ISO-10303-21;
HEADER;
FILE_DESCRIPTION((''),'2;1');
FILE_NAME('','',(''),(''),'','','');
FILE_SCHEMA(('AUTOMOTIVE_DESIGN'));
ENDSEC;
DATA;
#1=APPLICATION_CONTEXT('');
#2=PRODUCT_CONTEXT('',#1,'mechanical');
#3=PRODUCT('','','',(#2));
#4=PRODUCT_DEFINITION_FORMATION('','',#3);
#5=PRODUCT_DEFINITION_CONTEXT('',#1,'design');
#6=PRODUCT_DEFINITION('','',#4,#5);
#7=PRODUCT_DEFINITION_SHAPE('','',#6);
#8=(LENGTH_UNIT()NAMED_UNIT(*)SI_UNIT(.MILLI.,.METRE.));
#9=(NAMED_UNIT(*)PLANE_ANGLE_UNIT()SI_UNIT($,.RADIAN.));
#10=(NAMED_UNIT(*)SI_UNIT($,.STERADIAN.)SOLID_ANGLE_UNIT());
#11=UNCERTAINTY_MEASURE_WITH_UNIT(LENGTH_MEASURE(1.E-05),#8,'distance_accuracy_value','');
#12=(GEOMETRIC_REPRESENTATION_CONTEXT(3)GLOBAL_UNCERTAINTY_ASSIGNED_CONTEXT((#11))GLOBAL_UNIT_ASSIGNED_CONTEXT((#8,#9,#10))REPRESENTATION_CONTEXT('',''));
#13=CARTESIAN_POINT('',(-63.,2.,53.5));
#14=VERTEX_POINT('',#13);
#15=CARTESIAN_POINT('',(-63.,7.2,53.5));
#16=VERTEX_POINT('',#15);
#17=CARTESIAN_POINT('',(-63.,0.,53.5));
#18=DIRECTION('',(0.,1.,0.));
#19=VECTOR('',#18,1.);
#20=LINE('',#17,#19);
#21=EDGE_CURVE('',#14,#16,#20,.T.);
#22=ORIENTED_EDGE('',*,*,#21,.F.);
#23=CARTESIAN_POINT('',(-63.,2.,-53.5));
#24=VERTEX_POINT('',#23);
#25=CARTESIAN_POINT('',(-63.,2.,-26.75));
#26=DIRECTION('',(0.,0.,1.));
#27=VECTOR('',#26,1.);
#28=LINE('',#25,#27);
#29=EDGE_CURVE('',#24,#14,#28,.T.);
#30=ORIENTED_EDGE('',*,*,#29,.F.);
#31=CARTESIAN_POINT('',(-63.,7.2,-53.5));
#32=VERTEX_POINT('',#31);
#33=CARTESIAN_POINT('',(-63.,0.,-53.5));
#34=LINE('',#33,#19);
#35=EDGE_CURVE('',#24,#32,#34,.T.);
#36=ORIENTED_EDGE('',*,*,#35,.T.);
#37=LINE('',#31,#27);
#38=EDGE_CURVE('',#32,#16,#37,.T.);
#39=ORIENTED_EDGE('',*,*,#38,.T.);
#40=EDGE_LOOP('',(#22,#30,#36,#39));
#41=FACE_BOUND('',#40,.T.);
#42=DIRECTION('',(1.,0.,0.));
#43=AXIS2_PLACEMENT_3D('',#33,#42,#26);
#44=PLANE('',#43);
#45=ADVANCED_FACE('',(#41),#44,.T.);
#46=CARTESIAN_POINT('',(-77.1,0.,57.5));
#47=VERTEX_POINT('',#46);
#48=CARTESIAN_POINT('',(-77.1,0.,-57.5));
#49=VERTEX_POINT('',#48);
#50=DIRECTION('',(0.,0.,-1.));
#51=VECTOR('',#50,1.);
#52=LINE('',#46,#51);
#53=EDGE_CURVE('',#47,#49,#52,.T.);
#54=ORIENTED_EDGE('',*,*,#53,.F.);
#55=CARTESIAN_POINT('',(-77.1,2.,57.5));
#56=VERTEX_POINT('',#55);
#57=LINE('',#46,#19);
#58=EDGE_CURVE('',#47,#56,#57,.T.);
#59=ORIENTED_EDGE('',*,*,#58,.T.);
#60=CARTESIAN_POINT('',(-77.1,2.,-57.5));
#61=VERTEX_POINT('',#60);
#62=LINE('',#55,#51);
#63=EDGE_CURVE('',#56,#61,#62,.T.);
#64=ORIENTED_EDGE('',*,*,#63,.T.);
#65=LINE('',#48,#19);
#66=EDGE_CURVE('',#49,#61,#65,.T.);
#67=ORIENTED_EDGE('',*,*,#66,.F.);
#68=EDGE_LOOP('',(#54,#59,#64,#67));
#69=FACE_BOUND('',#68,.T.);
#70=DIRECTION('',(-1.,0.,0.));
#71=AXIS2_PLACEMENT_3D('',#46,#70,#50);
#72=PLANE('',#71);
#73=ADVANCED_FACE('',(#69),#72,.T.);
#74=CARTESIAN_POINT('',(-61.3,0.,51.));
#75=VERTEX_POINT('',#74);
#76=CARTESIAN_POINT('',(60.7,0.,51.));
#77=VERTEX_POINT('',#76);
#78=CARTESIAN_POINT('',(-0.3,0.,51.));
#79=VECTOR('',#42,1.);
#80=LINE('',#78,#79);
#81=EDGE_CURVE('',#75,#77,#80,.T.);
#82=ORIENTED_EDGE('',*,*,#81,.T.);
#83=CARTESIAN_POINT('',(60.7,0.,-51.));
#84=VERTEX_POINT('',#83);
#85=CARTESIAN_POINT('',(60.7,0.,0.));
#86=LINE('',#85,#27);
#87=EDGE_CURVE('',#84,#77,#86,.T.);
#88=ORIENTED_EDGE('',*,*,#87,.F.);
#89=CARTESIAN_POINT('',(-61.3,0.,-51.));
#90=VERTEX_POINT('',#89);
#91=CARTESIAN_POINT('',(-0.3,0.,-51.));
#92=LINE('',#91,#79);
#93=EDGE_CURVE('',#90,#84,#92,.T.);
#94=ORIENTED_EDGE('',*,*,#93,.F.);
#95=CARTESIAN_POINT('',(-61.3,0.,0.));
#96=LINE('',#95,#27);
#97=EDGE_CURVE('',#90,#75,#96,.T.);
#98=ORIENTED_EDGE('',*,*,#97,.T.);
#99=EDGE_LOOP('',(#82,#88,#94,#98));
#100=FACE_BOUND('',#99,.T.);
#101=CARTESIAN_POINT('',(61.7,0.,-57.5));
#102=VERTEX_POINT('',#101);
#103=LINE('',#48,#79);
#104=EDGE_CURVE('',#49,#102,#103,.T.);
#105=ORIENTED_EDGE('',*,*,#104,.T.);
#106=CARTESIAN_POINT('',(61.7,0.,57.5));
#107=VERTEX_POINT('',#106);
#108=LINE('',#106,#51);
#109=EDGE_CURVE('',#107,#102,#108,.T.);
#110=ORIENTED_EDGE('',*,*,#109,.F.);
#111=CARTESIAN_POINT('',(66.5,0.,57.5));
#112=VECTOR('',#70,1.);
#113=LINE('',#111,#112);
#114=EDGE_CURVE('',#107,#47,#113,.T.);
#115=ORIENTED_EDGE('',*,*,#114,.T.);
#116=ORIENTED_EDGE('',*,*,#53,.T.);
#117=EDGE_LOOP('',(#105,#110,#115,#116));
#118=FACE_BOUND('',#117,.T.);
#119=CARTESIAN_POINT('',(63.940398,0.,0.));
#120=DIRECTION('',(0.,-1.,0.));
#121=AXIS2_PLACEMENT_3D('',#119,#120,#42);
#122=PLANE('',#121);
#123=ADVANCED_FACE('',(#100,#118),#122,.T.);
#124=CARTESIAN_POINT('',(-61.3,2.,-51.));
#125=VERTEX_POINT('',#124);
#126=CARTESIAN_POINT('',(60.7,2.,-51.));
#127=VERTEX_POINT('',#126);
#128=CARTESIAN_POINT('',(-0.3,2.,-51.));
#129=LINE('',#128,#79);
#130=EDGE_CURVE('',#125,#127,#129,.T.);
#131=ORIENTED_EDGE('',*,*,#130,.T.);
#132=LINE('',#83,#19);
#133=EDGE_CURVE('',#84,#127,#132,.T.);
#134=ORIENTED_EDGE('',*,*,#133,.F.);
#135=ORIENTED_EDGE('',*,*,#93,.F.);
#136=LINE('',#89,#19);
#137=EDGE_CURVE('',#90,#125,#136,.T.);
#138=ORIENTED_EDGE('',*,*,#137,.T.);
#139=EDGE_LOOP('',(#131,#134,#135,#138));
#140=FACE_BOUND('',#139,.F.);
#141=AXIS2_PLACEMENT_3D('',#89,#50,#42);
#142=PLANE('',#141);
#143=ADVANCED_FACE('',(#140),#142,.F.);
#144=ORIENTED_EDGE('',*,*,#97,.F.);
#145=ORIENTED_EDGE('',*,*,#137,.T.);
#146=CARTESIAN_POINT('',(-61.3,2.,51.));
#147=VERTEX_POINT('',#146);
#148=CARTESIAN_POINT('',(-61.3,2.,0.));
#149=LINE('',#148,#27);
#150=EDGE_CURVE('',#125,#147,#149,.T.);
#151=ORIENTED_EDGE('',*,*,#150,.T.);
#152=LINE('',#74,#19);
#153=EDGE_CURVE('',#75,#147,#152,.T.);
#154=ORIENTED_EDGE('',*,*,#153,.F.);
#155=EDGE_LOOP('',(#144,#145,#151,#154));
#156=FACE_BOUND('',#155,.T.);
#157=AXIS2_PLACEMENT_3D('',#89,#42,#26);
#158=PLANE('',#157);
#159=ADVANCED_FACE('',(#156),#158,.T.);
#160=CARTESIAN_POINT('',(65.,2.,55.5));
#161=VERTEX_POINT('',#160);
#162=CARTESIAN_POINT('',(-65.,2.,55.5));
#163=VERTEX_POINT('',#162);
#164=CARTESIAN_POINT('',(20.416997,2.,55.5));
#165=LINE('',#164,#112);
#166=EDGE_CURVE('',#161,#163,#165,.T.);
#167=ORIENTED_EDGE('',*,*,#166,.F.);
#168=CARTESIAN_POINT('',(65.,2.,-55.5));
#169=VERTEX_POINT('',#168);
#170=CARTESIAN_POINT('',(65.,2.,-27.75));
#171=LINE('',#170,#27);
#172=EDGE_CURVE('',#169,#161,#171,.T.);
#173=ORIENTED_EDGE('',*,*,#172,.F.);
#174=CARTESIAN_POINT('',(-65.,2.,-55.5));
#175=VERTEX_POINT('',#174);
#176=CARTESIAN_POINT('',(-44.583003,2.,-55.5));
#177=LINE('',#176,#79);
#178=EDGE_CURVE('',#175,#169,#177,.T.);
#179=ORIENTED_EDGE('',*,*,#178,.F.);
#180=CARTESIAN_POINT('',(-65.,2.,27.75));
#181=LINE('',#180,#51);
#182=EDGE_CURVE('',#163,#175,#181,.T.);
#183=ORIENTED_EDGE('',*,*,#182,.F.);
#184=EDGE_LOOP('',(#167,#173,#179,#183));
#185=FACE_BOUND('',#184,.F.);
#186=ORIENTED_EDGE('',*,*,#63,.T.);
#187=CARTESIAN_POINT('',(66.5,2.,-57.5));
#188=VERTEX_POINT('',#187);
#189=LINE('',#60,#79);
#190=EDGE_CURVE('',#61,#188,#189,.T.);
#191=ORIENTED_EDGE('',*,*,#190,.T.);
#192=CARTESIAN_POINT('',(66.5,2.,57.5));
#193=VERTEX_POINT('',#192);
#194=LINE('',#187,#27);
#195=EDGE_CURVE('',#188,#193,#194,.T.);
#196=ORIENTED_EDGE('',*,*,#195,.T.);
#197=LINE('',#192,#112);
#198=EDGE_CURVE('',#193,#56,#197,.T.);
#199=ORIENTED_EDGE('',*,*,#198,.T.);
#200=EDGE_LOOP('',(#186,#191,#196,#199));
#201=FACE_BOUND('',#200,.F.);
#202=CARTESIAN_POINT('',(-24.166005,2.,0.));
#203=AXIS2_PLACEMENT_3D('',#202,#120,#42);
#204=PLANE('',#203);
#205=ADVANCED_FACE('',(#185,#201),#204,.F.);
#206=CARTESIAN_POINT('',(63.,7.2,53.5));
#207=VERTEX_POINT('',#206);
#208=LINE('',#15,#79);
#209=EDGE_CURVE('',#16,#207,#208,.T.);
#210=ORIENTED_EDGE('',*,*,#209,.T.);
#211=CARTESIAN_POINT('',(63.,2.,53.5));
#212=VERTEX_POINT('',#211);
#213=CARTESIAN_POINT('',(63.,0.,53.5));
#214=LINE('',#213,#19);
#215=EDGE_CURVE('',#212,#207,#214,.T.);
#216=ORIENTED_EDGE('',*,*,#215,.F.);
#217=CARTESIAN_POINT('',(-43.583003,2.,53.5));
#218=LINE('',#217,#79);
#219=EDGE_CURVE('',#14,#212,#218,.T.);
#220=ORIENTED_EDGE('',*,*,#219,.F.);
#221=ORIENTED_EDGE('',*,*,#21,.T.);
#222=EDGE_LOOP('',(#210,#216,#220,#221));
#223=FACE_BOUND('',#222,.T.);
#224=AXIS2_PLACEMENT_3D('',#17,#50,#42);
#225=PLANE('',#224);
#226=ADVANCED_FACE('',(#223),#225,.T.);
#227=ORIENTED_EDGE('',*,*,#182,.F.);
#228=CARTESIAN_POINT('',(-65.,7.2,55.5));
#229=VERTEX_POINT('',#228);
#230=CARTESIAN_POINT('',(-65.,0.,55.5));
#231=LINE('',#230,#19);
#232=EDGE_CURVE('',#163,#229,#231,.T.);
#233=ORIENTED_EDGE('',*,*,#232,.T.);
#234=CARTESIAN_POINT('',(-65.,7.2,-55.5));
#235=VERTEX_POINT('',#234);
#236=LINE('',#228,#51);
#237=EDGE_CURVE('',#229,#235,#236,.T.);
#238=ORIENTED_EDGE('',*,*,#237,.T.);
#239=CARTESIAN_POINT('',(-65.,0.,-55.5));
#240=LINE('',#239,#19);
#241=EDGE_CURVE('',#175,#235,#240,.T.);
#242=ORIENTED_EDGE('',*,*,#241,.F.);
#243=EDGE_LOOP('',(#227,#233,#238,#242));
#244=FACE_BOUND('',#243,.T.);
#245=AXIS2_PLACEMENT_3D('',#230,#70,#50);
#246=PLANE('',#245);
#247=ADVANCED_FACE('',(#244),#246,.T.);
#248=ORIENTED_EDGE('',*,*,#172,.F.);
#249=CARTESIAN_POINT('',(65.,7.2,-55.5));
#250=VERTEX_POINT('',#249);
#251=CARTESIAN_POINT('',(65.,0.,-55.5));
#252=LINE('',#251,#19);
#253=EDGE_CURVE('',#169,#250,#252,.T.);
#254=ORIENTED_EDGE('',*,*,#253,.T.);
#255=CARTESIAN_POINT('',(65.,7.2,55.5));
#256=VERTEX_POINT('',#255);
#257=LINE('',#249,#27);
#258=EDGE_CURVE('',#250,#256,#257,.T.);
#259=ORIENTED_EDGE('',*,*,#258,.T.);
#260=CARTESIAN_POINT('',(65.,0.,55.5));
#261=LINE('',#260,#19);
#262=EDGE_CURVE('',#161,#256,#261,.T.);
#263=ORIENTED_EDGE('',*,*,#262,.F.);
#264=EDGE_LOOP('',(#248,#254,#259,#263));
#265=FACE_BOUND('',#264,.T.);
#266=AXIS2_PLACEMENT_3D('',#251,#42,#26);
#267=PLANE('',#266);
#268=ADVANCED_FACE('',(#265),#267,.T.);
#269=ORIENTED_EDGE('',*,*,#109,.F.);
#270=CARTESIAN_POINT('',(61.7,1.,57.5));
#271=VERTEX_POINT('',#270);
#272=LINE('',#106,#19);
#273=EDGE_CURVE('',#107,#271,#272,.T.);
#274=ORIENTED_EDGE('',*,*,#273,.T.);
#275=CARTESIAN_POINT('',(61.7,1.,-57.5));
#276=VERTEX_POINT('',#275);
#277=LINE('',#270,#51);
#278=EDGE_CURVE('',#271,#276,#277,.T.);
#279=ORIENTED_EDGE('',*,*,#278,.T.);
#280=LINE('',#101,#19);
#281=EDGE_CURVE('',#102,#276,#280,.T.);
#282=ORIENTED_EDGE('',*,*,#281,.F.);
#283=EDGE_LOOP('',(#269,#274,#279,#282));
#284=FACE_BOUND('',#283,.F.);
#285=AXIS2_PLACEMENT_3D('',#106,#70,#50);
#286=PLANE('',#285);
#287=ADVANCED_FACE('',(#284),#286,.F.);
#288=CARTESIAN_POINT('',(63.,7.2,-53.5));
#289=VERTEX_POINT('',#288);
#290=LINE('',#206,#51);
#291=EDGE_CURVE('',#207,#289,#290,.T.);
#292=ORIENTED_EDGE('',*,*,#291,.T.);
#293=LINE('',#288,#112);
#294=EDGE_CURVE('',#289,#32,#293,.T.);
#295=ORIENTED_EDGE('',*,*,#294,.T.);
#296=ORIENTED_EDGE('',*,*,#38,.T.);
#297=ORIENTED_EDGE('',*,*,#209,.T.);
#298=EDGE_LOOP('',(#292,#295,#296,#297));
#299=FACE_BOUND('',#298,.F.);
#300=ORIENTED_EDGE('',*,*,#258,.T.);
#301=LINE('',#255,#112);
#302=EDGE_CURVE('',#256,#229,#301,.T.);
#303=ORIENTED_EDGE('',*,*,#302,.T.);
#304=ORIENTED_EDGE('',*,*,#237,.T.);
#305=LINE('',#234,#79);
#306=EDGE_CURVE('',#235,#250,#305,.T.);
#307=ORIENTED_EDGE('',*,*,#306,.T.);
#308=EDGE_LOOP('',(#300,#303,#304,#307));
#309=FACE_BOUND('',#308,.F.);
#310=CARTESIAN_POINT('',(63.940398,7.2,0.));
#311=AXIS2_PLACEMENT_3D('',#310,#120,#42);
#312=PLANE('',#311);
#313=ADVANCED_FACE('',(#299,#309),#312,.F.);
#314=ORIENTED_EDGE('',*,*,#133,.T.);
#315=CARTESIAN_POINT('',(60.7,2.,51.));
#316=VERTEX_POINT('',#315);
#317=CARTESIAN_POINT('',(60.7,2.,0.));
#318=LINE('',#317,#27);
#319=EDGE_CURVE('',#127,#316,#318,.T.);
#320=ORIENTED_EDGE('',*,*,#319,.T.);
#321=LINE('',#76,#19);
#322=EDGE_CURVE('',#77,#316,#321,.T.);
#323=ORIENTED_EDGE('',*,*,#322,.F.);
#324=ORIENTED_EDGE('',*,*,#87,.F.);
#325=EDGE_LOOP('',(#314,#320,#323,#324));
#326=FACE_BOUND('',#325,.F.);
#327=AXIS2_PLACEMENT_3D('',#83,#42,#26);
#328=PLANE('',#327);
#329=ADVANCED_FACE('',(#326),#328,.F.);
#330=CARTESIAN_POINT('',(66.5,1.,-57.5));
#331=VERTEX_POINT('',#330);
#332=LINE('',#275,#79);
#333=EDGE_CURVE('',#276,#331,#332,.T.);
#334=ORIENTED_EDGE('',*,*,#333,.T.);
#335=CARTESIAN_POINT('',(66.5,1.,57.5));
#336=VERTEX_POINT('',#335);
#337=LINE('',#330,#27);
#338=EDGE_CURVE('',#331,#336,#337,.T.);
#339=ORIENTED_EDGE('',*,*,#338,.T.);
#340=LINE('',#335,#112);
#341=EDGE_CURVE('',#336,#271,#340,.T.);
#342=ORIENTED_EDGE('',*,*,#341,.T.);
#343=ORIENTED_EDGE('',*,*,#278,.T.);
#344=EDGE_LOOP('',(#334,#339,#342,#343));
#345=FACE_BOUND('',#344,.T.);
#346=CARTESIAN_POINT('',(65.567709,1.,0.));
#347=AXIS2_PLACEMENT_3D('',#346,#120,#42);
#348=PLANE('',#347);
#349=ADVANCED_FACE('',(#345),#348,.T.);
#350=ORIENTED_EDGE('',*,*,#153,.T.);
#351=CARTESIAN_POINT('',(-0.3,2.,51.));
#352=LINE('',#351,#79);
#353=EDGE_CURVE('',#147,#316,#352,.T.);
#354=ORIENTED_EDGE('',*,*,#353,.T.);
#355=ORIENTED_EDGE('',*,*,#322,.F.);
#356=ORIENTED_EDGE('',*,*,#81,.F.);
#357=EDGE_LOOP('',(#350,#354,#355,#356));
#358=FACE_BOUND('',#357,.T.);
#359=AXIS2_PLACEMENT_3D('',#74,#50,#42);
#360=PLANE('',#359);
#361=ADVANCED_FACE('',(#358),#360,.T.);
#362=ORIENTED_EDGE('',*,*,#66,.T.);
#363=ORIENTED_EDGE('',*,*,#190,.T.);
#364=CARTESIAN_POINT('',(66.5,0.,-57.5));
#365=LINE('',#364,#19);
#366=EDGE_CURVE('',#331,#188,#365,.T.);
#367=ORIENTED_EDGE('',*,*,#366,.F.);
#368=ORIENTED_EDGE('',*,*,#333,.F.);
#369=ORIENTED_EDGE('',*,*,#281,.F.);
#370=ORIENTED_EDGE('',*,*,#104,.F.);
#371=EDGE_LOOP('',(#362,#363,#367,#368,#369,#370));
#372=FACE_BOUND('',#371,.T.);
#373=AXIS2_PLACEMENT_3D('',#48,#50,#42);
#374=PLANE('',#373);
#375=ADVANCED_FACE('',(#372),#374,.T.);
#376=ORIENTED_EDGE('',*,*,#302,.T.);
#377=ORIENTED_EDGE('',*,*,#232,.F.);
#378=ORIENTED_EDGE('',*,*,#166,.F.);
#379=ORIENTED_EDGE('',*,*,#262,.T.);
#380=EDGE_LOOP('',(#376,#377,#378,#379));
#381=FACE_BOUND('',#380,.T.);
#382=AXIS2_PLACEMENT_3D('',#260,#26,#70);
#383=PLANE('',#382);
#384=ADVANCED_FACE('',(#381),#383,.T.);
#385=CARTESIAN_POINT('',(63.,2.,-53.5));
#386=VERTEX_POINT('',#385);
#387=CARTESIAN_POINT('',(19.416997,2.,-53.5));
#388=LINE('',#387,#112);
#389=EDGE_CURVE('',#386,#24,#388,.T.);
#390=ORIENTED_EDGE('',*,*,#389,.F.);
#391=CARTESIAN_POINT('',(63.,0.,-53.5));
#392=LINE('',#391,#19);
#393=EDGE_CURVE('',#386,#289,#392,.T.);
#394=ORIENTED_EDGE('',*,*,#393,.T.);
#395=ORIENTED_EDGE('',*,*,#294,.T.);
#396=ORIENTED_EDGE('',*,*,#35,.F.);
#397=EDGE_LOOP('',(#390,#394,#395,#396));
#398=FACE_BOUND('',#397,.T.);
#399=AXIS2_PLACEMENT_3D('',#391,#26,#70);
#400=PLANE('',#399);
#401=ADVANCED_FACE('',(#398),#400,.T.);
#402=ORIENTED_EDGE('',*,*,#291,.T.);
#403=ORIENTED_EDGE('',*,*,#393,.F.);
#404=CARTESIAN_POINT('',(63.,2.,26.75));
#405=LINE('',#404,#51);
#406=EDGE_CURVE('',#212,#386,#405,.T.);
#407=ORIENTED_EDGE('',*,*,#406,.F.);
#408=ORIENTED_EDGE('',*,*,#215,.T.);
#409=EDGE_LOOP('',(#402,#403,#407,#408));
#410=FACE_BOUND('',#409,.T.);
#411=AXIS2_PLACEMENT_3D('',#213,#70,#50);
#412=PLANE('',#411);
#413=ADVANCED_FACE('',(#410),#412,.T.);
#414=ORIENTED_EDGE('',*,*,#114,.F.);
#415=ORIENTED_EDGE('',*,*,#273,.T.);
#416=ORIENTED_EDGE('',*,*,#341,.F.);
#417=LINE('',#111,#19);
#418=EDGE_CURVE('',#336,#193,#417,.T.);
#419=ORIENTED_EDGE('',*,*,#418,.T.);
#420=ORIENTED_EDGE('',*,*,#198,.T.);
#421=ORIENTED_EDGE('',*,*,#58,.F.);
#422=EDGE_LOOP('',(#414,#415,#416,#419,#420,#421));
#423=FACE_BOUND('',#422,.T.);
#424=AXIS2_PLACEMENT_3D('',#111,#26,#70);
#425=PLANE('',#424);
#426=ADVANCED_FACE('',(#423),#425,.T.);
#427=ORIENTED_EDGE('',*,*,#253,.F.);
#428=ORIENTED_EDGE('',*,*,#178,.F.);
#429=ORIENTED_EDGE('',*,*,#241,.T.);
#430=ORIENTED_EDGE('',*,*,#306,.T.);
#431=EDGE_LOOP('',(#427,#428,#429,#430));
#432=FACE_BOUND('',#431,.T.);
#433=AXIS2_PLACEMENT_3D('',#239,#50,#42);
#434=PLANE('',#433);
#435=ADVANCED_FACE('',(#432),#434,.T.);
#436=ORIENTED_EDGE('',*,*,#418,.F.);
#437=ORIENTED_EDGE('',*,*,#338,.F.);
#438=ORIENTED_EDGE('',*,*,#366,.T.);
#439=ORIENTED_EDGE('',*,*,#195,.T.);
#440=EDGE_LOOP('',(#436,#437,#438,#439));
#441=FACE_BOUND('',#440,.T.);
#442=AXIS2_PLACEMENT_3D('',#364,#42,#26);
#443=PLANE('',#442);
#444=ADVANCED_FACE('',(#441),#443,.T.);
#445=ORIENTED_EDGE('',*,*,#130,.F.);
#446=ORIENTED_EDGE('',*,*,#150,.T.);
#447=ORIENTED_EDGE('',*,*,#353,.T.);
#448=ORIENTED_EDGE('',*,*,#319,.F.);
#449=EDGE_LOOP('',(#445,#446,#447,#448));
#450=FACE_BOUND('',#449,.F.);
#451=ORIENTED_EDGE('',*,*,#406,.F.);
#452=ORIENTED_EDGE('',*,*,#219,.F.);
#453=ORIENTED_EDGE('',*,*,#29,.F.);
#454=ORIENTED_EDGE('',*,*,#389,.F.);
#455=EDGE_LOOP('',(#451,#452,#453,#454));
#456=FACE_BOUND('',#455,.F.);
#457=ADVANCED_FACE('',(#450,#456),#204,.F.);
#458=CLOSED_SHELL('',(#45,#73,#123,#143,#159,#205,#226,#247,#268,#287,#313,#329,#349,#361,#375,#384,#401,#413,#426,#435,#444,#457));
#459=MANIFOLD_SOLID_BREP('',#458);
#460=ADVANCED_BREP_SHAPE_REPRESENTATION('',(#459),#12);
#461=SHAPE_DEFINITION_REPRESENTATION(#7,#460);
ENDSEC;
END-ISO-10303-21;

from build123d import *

# Parameters (mm, degrees)
F0_W          = 124.7
F0_H          = 107
F0_W_2        = 122
F0_H_2        = 102
F0_W_3        = 1.3
F1_DEPTH      = 2
F2_DEPTH      = 7.2
F3_DEPTH      = 1
F3_DEPTH_BACK = 2


with BuildPart() as f1:
    # F0 (on Front) → F1 (new body)
    with BuildSketch(Plane.XZ):
        Polygon((-77.1, -57.5), (61.7, -57.5), (61.7, -55.5), (-65, -55.5), (-65, 55.5), (61.7, 55.5), (61.7, 57.5), (-77.1, 57.5), align=None)
        Polygon((61.7, -53.5), (61.7, -55.5), (65, -55.5), (65, 55.5), (61.7, 55.5), (61.7, 53.5), (63, 53.5), (63, -53.5), align=None)
        Polygon((-65, -55.5), (61.7, -55.5), (61.7, -53.5), (-63, -53.5), (-63, 53.5), (61.7, 53.5), (61.7, 55.5), (-65, 55.5), align=None)
        with Locations((-0.65, 0)):
            Rectangle(F0_W, F0_H)
        with Locations((-0.3, 0)):
            Rectangle(F0_W_2, F0_H_2, mode=Mode.SUBTRACT)
        Polygon((61.7, -57.5), (66.5, -57.5), (66.5, 57.5), (61.7, 57.5), (61.7, 55.5), (65, 55.5), (65, -55.5), (61.7, -55.5), align=None)
        with Locations((62.35, 0)):
            Rectangle(F0_W_3, F0_H)
    extrude(amount=-F1_DEPTH)

    # F0 (on Front) → F2 (join)
    with BuildSketch(Plane.XZ):
        Polygon((61.7, -53.5), (61.7, -55.5), (65, -55.5), (65, 55.5), (61.7, 55.5), (61.7, 53.5), (63, 53.5), (63, -53.5), align=None)
        Polygon((-65, -55.5), (61.7, -55.5), (61.7, -53.5), (-63, -53.5), (-63, 53.5), (61.7, 53.5), (61.7, 55.5), (-65, 55.5), align=None)
    extrude(amount=-F2_DEPTH)

    # F0 (on Front) → F3 (cut, two sides)
    with BuildSketch(Plane.XZ) as f3_sk:
        Polygon((61.7, -57.5), (66.5, -57.5), (66.5, 57.5), (61.7, 57.5), (61.7, 55.5), (65, 55.5), (65, -55.5), (61.7, -55.5), align=None)
        with Locations((62.35, 0)):
            Rectangle(F0_W_3, F0_H)
        Polygon((61.7, -53.5), (61.7, -55.5), (65, -55.5), (65, 55.5), (61.7, 55.5), (61.7, 53.5), (63, 53.5), (63, -53.5), align=None)
    extrude(amount=-F3_DEPTH, mode=Mode.SUBTRACT)
    extrude(f3_sk.sketch, amount=F3_DEPTH_BACK, mode=Mode.SUBTRACT)


solid = f1.part
